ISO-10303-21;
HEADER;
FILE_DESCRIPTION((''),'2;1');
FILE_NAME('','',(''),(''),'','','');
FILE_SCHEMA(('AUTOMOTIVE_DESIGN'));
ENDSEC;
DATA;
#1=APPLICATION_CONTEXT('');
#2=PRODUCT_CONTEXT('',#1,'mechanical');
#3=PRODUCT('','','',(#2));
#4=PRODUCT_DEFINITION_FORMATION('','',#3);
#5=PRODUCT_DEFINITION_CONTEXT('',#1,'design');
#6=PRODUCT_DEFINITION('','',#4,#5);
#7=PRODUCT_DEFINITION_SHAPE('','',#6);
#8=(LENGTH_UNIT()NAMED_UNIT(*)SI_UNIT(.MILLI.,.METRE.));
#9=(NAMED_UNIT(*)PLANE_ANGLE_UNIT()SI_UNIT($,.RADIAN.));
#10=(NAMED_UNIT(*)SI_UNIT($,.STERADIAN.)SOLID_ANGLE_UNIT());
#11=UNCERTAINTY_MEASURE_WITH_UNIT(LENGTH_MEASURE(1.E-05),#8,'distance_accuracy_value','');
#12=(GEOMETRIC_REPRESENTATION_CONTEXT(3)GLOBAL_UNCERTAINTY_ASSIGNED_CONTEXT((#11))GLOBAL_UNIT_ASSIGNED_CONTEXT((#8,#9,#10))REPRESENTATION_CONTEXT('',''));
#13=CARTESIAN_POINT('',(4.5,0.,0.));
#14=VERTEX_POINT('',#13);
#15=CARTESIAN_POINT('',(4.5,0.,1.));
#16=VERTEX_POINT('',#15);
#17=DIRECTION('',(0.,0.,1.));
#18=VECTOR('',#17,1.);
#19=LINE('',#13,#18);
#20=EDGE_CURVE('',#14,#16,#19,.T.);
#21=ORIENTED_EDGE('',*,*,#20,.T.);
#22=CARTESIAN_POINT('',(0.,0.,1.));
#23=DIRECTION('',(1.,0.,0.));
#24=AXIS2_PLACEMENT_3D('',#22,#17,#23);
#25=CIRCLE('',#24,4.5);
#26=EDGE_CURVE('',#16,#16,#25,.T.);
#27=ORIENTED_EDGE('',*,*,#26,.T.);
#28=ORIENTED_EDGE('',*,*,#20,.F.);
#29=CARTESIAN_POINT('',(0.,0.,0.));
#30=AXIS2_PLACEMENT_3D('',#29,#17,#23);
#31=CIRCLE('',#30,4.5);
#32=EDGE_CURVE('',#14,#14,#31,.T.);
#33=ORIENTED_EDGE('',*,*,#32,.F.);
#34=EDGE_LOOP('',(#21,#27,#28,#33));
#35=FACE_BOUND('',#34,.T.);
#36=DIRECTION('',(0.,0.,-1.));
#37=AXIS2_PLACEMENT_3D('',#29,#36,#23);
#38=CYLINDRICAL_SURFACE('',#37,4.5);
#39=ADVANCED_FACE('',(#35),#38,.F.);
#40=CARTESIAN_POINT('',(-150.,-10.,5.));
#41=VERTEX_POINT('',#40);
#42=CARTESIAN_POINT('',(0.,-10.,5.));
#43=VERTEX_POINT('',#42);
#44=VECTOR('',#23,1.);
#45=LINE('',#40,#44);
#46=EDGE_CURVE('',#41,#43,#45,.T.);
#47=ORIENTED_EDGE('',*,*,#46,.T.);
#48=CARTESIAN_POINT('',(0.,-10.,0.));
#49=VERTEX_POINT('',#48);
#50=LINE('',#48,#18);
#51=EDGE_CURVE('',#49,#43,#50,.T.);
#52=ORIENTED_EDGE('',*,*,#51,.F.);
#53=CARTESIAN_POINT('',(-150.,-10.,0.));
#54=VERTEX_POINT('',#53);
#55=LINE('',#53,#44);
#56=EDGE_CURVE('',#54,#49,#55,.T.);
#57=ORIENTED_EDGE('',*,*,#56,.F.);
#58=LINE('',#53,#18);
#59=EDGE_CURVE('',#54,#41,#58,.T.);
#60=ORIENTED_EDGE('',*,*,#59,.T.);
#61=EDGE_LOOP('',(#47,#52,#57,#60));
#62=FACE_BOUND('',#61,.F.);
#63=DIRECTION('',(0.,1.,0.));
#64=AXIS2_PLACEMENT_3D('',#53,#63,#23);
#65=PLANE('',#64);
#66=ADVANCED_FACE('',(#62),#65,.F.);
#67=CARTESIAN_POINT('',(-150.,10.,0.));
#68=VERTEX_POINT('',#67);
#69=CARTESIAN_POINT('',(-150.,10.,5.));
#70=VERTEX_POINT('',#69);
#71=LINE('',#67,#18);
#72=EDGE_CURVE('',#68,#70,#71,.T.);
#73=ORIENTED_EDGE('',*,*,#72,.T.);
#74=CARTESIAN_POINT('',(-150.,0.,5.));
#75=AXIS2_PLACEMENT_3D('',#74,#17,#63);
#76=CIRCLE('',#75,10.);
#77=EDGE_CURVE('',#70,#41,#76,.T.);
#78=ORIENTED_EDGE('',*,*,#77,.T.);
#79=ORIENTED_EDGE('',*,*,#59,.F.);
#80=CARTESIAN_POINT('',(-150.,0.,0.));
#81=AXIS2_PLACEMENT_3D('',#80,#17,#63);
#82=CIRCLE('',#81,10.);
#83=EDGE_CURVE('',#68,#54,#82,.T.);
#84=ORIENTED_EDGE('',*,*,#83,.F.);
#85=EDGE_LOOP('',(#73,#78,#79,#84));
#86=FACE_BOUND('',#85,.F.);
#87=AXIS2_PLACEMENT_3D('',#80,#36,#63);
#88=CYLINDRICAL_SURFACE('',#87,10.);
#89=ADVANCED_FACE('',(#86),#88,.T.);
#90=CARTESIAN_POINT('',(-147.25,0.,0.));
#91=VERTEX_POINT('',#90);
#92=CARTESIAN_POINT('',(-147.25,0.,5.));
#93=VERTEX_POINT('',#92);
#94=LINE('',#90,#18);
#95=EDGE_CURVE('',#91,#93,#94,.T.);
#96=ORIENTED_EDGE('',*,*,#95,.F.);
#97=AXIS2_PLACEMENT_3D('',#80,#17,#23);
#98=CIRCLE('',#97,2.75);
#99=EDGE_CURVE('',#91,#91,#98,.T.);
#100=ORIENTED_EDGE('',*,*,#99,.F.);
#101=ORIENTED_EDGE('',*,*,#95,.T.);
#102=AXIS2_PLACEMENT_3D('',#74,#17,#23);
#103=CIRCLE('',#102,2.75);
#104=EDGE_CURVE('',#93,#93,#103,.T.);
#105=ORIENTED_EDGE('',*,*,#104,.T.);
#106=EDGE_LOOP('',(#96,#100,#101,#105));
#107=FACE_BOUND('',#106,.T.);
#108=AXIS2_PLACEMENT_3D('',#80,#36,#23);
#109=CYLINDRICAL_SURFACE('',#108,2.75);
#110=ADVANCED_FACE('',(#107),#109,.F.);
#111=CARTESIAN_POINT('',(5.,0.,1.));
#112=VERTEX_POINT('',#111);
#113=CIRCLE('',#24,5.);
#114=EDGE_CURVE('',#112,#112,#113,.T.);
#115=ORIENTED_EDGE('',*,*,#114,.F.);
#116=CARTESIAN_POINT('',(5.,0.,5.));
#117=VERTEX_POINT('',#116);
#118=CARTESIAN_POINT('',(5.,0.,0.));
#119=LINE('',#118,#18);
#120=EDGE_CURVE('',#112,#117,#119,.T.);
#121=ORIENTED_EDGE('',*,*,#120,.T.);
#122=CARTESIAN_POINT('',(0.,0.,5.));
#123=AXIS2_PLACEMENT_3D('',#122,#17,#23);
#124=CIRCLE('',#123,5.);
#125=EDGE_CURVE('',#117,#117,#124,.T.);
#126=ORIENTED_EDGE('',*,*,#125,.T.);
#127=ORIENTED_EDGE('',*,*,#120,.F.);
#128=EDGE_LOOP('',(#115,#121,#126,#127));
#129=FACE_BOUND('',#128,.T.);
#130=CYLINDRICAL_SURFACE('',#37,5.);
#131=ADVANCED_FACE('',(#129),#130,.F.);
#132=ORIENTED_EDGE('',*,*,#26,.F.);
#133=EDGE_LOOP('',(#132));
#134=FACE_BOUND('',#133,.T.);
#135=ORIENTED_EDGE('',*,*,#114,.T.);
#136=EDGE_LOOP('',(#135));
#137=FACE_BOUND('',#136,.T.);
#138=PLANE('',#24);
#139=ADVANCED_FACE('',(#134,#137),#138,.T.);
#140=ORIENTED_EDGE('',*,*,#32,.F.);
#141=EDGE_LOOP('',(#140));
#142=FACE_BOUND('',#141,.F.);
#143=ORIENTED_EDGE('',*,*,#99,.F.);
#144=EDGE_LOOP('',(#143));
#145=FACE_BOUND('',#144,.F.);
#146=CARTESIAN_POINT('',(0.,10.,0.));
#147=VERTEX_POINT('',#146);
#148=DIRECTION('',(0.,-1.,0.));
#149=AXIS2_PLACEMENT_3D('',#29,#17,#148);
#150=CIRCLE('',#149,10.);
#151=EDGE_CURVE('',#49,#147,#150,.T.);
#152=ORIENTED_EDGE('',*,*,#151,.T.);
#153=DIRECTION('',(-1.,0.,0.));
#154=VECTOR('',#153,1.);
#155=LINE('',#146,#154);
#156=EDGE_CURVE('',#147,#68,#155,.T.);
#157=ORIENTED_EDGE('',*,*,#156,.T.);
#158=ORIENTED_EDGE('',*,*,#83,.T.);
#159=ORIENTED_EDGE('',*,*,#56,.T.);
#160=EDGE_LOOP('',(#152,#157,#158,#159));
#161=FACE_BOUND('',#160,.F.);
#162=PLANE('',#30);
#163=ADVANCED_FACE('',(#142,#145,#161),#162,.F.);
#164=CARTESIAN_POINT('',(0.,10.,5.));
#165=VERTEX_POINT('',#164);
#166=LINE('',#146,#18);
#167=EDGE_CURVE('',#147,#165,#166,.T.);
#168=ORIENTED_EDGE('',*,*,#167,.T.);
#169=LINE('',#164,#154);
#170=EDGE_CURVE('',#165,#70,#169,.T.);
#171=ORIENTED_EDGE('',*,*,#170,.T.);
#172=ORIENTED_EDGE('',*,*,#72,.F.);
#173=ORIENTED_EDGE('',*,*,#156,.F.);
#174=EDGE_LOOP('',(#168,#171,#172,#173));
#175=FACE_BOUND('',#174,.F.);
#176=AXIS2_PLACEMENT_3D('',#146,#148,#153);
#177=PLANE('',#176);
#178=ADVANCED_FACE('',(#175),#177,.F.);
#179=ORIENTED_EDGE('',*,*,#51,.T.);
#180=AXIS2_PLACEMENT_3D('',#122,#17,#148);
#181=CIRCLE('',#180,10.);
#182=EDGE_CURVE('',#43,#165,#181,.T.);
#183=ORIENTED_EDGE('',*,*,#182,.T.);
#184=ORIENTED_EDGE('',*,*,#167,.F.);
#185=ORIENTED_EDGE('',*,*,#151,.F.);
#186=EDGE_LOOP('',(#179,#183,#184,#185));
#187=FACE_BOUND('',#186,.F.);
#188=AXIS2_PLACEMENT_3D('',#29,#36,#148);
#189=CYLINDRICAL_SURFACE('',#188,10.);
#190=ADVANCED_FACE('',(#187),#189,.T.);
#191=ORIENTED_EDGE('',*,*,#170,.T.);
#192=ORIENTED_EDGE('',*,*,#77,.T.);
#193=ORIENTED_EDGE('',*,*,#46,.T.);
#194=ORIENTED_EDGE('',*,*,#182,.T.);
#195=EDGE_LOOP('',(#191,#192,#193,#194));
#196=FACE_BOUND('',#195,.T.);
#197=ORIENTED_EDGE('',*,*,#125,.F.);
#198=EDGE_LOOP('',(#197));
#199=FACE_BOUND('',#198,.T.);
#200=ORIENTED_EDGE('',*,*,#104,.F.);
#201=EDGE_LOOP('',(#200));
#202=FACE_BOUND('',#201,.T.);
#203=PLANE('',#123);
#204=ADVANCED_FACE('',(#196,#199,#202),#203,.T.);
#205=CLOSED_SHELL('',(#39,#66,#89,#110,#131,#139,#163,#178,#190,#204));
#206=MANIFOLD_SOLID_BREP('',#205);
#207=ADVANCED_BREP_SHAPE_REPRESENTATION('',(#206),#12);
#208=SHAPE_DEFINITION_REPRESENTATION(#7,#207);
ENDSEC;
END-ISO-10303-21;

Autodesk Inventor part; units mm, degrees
ref_plane "YZ Plane" through (0, 0, 0) normal (1, 0, 0) x (0, 1, 0)
ref_plane "XZ Plane" through (0, 0, 0) normal (0, 1, 0) x (-1, 0, 0)
ref_plane "XY Plane" through (0, 0, 0) normal (0, 0, 1) x (1, 0, 0)
sketch "Skizze3" plane through (0, 0, 0) normal (0, 0, 1) x (1, 0, 0)
  line L0 (0, 0) -> (-150, 0) construction
  line L1 (0, 10) -> (-150, 10)
  line L2 (-150, -10) -> (0, -10)
  arc A0 (0, -10) -> (0, 10) centre (0, 0) ccw
  arc A1 (-150, 10) -> (-150, -10) centre (-150, 0) ccw
  circle A2 centre (0, 0) radius 5
  circle A3 centre (-150, 0) radius 2.75
  circle A4 centre (0, 0) radius 4.5
  point P0 (-75, 0)
  dimension "d4" = 150
  dimension "d5" = 20
  dimension "d6" = 10
  dimension "d7" = 5.5
  dimension "d12" = 9
extrude "Extrusion3" add sketch "Skizze3" along normal blind 5 contours A0 L2 A1 L1
extrude "Extrusion4" add sketch "Skizze3" along normal blind 1 contours A2
properties part number "BT001_trajan20_21" material "Kunststoff, undurchsichtig Schwarz"
